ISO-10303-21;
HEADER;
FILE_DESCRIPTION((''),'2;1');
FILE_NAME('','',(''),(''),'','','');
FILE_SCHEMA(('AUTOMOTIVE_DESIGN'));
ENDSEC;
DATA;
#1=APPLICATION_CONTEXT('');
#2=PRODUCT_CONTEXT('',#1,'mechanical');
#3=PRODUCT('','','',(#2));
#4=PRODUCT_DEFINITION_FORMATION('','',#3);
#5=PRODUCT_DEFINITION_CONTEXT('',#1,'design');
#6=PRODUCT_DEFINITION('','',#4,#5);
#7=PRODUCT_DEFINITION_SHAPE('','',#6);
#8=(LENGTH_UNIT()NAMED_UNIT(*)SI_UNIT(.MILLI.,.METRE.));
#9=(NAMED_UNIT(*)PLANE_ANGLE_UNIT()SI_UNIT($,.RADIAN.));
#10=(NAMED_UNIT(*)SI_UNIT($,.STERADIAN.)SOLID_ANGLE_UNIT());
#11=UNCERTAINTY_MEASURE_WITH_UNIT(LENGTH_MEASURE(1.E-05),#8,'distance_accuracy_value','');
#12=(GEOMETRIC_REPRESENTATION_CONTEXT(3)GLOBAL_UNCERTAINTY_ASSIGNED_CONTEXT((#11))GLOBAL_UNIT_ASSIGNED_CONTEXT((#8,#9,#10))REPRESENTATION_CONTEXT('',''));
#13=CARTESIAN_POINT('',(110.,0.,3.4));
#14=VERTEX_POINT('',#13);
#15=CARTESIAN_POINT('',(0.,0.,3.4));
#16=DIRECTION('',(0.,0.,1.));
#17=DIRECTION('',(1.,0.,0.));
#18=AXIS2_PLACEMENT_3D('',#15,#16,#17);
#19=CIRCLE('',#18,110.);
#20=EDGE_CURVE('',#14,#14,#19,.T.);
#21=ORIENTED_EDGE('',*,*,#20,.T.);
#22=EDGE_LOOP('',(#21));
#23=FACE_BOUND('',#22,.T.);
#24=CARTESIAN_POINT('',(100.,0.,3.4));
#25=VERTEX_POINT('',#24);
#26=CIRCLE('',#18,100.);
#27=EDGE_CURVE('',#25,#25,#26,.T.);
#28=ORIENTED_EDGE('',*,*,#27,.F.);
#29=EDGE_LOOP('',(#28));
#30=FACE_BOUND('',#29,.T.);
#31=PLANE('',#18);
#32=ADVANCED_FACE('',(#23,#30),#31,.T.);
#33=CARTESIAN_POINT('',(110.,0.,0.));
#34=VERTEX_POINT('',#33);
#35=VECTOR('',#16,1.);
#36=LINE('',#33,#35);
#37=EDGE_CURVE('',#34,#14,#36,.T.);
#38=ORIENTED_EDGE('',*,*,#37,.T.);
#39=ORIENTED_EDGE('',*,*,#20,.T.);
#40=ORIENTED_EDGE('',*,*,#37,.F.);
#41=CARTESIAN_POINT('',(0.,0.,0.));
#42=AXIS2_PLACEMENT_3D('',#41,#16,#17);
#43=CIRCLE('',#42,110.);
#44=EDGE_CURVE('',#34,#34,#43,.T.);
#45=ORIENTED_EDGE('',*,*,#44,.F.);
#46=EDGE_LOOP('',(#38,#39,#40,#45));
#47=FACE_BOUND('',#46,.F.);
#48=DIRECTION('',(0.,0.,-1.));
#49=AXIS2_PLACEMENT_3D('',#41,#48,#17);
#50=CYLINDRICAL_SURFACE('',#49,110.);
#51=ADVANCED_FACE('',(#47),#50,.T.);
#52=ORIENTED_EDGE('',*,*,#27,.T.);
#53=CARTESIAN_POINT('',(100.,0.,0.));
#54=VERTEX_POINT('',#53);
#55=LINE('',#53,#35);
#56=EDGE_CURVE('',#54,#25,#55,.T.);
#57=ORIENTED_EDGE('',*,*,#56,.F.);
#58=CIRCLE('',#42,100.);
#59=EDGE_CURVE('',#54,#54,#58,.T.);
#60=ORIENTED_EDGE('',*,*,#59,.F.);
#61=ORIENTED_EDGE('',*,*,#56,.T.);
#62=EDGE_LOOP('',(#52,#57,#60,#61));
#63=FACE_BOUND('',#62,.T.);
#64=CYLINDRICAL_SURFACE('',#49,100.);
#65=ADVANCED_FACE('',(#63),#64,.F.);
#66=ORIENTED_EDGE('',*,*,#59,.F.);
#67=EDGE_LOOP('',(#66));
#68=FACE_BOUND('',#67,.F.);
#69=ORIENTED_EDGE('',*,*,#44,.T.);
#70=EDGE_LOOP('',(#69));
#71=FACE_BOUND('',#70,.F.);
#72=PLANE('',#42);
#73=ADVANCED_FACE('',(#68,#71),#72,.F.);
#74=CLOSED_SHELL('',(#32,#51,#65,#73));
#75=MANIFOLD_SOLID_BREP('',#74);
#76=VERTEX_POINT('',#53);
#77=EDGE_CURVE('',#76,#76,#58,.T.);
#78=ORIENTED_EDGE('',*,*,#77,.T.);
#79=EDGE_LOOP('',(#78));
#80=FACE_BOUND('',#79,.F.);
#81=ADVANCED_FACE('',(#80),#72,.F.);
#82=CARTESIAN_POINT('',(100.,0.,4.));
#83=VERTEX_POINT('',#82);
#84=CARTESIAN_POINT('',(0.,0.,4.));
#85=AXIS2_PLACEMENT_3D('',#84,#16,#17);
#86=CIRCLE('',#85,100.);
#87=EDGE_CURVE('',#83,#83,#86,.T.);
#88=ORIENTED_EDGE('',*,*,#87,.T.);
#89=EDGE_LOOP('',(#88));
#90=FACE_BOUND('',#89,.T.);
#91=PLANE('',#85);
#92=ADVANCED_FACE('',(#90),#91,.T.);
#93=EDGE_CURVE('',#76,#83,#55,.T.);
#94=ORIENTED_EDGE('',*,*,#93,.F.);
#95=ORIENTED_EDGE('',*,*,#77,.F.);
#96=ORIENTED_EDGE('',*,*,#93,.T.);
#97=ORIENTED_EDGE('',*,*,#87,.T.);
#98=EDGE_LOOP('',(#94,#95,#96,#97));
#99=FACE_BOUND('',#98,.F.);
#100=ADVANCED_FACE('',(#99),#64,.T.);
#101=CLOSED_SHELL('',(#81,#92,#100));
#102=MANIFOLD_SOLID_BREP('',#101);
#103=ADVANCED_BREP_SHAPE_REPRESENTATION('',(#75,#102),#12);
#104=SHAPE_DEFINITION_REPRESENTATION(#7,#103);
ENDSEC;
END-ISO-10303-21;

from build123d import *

# Parameters (mm, degrees)
F2_R     = 100
F3_DEPTH = 4
F2_R_2   = 110
F4_DEPTH = 3.4


with BuildPart() as f3:
    # F2 (on Top) → F3 (new body)
    with BuildSketch(Plane.XY):
        Circle(F2_R)
    extrude(amount=F3_DEPTH)


with BuildPart() as f4:
    # F2 (on Top) → F4 (new body)
    with BuildSketch(Plane.XY):
        Circle(F2_R_2)
        Circle(F2_R, mode=Mode.SUBTRACT)
    extrude(amount=F4_DEPTH)


solid = Compound([f3.part, f4.part])
